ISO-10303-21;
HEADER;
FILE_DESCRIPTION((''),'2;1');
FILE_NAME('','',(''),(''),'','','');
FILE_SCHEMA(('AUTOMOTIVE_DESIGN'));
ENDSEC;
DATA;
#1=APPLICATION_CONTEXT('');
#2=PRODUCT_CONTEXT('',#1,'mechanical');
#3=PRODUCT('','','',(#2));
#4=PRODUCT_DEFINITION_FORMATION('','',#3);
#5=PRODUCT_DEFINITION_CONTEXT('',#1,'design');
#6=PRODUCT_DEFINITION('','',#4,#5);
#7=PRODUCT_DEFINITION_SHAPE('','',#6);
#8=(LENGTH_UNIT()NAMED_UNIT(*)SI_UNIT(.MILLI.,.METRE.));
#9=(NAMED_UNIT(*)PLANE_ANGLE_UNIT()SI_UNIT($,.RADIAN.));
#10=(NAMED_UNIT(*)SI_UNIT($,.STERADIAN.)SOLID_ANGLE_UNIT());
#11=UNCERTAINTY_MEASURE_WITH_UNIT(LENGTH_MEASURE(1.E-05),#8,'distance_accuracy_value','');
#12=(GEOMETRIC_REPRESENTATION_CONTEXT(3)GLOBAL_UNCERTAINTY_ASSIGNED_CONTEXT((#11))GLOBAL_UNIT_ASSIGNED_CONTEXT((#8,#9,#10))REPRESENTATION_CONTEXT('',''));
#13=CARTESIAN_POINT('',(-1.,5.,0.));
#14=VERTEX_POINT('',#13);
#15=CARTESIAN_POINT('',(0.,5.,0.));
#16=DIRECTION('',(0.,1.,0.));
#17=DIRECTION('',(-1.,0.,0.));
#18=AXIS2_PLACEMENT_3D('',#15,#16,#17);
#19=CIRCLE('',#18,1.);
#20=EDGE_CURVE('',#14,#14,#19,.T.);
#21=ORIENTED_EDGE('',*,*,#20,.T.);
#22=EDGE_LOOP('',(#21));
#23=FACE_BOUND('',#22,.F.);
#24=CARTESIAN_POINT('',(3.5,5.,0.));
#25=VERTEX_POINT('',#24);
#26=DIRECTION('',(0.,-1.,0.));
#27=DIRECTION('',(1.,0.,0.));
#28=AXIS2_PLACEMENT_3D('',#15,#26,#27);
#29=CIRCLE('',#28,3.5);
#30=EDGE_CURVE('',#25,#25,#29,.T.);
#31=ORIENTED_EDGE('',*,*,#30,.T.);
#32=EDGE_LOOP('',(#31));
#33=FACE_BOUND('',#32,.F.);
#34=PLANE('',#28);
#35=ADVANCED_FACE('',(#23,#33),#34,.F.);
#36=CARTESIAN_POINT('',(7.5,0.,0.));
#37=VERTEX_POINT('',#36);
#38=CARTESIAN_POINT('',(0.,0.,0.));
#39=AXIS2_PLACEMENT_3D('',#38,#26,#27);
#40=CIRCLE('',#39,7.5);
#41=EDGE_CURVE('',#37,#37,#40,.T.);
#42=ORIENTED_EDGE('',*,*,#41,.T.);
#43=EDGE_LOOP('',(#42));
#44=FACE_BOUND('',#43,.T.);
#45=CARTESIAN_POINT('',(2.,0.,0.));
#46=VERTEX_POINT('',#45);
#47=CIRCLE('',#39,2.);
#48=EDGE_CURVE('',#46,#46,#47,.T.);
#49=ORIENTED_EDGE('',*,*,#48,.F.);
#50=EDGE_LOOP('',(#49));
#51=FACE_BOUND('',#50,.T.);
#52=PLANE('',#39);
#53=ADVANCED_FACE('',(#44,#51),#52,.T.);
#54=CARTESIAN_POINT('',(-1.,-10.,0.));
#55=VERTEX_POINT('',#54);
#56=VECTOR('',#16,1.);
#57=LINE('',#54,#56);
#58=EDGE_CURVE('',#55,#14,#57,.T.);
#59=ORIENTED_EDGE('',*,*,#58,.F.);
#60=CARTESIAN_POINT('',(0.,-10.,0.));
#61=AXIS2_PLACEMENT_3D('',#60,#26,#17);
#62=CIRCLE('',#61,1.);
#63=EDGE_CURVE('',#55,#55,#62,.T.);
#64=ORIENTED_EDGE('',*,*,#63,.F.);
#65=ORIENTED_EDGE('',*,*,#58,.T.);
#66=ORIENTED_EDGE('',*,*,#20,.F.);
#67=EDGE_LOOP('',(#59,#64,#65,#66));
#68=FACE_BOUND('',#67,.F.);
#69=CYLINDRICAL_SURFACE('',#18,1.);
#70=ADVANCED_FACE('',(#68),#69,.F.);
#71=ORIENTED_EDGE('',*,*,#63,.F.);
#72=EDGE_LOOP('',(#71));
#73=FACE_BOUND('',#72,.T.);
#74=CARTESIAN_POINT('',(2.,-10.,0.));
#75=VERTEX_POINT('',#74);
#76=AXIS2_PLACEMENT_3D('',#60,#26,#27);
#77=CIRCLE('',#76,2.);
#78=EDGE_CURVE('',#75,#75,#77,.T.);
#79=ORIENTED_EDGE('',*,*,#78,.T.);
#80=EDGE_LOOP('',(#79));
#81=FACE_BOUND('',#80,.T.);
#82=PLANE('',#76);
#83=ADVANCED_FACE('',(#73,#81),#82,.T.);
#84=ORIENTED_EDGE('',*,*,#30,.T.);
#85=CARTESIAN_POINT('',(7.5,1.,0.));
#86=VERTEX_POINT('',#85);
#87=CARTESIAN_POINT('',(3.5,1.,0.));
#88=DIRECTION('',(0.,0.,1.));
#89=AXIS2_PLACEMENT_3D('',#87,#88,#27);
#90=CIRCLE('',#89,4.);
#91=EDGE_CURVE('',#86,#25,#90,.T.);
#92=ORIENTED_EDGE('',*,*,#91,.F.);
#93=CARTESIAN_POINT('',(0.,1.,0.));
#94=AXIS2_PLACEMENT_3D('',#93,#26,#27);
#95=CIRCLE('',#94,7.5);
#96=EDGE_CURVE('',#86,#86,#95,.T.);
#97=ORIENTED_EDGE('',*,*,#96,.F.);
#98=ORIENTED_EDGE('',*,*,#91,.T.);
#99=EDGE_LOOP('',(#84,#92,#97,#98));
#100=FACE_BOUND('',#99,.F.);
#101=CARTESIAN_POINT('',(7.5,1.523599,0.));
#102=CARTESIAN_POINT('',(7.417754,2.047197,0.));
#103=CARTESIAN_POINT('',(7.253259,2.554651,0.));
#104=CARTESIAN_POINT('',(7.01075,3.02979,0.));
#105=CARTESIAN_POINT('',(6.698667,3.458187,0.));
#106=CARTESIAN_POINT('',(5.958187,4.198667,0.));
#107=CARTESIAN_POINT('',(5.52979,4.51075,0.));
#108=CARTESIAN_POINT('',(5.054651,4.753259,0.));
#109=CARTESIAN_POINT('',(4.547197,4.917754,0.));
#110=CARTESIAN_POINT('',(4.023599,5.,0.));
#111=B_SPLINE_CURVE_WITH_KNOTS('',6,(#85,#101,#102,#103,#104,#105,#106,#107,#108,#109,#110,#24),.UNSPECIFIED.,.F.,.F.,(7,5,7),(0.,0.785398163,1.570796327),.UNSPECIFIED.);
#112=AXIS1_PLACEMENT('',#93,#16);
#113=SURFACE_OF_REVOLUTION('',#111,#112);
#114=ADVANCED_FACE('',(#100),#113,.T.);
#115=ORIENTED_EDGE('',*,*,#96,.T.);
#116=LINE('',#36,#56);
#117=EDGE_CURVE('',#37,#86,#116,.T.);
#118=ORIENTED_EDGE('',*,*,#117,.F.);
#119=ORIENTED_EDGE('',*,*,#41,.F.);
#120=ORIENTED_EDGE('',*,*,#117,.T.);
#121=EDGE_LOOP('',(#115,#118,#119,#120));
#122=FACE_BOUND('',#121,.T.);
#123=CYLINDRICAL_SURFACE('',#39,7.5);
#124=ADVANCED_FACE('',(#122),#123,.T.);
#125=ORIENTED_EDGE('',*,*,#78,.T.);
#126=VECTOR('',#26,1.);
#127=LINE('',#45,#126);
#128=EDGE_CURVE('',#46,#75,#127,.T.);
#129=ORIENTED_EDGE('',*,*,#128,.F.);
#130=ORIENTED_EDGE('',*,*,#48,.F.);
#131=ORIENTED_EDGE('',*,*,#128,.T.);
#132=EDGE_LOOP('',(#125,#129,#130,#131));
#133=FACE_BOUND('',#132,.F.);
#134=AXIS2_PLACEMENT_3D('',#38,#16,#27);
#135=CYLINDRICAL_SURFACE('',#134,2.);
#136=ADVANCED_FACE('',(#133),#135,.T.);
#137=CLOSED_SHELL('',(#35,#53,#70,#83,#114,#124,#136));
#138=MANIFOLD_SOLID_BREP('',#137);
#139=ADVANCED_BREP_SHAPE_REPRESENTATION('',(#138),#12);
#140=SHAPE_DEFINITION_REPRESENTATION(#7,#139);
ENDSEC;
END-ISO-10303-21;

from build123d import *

# Parameters (mm, degrees)
F0_R     = 2
F0_R_2   = 1
F1_DEPTH = 10
F2_R     = 7.5
F3_DEPTH = 5
F4_R     = 1
F5_DEPTH = 15.001
F6_R     = 4


with BuildPart() as f1:
    # F0 (on Front) → F1 (new body)
    with BuildSketch(Plane.XZ):
        Circle(F0_R)
        Circle(F0_R_2, mode=Mode.SUBTRACT)
    extrude(amount=F1_DEPTH)

    # F2 (on Front) → F3 (join)
    with BuildSketch(Plane.XZ):
        Circle(F2_R)
    extrude(amount=-F3_DEPTH)

    # F4 (on face) → F5 (cut, through all)
    with BuildSketch(Plane(origin=(0, 5, 0), x_dir=(-1, 0, 0), z_dir=(0, 1, 0))):
        Circle(F4_R)
    extrude(amount=-F5_DEPTH, mode=Mode.SUBTRACT)

    # F6
    f6_edges = [f1.edges().sort_by_distance(p)[0] for p in [
        (-7.5, 5, 0),
    ]]
    fillet(f6_edges, radius=F6_R)


solid = f1.part
